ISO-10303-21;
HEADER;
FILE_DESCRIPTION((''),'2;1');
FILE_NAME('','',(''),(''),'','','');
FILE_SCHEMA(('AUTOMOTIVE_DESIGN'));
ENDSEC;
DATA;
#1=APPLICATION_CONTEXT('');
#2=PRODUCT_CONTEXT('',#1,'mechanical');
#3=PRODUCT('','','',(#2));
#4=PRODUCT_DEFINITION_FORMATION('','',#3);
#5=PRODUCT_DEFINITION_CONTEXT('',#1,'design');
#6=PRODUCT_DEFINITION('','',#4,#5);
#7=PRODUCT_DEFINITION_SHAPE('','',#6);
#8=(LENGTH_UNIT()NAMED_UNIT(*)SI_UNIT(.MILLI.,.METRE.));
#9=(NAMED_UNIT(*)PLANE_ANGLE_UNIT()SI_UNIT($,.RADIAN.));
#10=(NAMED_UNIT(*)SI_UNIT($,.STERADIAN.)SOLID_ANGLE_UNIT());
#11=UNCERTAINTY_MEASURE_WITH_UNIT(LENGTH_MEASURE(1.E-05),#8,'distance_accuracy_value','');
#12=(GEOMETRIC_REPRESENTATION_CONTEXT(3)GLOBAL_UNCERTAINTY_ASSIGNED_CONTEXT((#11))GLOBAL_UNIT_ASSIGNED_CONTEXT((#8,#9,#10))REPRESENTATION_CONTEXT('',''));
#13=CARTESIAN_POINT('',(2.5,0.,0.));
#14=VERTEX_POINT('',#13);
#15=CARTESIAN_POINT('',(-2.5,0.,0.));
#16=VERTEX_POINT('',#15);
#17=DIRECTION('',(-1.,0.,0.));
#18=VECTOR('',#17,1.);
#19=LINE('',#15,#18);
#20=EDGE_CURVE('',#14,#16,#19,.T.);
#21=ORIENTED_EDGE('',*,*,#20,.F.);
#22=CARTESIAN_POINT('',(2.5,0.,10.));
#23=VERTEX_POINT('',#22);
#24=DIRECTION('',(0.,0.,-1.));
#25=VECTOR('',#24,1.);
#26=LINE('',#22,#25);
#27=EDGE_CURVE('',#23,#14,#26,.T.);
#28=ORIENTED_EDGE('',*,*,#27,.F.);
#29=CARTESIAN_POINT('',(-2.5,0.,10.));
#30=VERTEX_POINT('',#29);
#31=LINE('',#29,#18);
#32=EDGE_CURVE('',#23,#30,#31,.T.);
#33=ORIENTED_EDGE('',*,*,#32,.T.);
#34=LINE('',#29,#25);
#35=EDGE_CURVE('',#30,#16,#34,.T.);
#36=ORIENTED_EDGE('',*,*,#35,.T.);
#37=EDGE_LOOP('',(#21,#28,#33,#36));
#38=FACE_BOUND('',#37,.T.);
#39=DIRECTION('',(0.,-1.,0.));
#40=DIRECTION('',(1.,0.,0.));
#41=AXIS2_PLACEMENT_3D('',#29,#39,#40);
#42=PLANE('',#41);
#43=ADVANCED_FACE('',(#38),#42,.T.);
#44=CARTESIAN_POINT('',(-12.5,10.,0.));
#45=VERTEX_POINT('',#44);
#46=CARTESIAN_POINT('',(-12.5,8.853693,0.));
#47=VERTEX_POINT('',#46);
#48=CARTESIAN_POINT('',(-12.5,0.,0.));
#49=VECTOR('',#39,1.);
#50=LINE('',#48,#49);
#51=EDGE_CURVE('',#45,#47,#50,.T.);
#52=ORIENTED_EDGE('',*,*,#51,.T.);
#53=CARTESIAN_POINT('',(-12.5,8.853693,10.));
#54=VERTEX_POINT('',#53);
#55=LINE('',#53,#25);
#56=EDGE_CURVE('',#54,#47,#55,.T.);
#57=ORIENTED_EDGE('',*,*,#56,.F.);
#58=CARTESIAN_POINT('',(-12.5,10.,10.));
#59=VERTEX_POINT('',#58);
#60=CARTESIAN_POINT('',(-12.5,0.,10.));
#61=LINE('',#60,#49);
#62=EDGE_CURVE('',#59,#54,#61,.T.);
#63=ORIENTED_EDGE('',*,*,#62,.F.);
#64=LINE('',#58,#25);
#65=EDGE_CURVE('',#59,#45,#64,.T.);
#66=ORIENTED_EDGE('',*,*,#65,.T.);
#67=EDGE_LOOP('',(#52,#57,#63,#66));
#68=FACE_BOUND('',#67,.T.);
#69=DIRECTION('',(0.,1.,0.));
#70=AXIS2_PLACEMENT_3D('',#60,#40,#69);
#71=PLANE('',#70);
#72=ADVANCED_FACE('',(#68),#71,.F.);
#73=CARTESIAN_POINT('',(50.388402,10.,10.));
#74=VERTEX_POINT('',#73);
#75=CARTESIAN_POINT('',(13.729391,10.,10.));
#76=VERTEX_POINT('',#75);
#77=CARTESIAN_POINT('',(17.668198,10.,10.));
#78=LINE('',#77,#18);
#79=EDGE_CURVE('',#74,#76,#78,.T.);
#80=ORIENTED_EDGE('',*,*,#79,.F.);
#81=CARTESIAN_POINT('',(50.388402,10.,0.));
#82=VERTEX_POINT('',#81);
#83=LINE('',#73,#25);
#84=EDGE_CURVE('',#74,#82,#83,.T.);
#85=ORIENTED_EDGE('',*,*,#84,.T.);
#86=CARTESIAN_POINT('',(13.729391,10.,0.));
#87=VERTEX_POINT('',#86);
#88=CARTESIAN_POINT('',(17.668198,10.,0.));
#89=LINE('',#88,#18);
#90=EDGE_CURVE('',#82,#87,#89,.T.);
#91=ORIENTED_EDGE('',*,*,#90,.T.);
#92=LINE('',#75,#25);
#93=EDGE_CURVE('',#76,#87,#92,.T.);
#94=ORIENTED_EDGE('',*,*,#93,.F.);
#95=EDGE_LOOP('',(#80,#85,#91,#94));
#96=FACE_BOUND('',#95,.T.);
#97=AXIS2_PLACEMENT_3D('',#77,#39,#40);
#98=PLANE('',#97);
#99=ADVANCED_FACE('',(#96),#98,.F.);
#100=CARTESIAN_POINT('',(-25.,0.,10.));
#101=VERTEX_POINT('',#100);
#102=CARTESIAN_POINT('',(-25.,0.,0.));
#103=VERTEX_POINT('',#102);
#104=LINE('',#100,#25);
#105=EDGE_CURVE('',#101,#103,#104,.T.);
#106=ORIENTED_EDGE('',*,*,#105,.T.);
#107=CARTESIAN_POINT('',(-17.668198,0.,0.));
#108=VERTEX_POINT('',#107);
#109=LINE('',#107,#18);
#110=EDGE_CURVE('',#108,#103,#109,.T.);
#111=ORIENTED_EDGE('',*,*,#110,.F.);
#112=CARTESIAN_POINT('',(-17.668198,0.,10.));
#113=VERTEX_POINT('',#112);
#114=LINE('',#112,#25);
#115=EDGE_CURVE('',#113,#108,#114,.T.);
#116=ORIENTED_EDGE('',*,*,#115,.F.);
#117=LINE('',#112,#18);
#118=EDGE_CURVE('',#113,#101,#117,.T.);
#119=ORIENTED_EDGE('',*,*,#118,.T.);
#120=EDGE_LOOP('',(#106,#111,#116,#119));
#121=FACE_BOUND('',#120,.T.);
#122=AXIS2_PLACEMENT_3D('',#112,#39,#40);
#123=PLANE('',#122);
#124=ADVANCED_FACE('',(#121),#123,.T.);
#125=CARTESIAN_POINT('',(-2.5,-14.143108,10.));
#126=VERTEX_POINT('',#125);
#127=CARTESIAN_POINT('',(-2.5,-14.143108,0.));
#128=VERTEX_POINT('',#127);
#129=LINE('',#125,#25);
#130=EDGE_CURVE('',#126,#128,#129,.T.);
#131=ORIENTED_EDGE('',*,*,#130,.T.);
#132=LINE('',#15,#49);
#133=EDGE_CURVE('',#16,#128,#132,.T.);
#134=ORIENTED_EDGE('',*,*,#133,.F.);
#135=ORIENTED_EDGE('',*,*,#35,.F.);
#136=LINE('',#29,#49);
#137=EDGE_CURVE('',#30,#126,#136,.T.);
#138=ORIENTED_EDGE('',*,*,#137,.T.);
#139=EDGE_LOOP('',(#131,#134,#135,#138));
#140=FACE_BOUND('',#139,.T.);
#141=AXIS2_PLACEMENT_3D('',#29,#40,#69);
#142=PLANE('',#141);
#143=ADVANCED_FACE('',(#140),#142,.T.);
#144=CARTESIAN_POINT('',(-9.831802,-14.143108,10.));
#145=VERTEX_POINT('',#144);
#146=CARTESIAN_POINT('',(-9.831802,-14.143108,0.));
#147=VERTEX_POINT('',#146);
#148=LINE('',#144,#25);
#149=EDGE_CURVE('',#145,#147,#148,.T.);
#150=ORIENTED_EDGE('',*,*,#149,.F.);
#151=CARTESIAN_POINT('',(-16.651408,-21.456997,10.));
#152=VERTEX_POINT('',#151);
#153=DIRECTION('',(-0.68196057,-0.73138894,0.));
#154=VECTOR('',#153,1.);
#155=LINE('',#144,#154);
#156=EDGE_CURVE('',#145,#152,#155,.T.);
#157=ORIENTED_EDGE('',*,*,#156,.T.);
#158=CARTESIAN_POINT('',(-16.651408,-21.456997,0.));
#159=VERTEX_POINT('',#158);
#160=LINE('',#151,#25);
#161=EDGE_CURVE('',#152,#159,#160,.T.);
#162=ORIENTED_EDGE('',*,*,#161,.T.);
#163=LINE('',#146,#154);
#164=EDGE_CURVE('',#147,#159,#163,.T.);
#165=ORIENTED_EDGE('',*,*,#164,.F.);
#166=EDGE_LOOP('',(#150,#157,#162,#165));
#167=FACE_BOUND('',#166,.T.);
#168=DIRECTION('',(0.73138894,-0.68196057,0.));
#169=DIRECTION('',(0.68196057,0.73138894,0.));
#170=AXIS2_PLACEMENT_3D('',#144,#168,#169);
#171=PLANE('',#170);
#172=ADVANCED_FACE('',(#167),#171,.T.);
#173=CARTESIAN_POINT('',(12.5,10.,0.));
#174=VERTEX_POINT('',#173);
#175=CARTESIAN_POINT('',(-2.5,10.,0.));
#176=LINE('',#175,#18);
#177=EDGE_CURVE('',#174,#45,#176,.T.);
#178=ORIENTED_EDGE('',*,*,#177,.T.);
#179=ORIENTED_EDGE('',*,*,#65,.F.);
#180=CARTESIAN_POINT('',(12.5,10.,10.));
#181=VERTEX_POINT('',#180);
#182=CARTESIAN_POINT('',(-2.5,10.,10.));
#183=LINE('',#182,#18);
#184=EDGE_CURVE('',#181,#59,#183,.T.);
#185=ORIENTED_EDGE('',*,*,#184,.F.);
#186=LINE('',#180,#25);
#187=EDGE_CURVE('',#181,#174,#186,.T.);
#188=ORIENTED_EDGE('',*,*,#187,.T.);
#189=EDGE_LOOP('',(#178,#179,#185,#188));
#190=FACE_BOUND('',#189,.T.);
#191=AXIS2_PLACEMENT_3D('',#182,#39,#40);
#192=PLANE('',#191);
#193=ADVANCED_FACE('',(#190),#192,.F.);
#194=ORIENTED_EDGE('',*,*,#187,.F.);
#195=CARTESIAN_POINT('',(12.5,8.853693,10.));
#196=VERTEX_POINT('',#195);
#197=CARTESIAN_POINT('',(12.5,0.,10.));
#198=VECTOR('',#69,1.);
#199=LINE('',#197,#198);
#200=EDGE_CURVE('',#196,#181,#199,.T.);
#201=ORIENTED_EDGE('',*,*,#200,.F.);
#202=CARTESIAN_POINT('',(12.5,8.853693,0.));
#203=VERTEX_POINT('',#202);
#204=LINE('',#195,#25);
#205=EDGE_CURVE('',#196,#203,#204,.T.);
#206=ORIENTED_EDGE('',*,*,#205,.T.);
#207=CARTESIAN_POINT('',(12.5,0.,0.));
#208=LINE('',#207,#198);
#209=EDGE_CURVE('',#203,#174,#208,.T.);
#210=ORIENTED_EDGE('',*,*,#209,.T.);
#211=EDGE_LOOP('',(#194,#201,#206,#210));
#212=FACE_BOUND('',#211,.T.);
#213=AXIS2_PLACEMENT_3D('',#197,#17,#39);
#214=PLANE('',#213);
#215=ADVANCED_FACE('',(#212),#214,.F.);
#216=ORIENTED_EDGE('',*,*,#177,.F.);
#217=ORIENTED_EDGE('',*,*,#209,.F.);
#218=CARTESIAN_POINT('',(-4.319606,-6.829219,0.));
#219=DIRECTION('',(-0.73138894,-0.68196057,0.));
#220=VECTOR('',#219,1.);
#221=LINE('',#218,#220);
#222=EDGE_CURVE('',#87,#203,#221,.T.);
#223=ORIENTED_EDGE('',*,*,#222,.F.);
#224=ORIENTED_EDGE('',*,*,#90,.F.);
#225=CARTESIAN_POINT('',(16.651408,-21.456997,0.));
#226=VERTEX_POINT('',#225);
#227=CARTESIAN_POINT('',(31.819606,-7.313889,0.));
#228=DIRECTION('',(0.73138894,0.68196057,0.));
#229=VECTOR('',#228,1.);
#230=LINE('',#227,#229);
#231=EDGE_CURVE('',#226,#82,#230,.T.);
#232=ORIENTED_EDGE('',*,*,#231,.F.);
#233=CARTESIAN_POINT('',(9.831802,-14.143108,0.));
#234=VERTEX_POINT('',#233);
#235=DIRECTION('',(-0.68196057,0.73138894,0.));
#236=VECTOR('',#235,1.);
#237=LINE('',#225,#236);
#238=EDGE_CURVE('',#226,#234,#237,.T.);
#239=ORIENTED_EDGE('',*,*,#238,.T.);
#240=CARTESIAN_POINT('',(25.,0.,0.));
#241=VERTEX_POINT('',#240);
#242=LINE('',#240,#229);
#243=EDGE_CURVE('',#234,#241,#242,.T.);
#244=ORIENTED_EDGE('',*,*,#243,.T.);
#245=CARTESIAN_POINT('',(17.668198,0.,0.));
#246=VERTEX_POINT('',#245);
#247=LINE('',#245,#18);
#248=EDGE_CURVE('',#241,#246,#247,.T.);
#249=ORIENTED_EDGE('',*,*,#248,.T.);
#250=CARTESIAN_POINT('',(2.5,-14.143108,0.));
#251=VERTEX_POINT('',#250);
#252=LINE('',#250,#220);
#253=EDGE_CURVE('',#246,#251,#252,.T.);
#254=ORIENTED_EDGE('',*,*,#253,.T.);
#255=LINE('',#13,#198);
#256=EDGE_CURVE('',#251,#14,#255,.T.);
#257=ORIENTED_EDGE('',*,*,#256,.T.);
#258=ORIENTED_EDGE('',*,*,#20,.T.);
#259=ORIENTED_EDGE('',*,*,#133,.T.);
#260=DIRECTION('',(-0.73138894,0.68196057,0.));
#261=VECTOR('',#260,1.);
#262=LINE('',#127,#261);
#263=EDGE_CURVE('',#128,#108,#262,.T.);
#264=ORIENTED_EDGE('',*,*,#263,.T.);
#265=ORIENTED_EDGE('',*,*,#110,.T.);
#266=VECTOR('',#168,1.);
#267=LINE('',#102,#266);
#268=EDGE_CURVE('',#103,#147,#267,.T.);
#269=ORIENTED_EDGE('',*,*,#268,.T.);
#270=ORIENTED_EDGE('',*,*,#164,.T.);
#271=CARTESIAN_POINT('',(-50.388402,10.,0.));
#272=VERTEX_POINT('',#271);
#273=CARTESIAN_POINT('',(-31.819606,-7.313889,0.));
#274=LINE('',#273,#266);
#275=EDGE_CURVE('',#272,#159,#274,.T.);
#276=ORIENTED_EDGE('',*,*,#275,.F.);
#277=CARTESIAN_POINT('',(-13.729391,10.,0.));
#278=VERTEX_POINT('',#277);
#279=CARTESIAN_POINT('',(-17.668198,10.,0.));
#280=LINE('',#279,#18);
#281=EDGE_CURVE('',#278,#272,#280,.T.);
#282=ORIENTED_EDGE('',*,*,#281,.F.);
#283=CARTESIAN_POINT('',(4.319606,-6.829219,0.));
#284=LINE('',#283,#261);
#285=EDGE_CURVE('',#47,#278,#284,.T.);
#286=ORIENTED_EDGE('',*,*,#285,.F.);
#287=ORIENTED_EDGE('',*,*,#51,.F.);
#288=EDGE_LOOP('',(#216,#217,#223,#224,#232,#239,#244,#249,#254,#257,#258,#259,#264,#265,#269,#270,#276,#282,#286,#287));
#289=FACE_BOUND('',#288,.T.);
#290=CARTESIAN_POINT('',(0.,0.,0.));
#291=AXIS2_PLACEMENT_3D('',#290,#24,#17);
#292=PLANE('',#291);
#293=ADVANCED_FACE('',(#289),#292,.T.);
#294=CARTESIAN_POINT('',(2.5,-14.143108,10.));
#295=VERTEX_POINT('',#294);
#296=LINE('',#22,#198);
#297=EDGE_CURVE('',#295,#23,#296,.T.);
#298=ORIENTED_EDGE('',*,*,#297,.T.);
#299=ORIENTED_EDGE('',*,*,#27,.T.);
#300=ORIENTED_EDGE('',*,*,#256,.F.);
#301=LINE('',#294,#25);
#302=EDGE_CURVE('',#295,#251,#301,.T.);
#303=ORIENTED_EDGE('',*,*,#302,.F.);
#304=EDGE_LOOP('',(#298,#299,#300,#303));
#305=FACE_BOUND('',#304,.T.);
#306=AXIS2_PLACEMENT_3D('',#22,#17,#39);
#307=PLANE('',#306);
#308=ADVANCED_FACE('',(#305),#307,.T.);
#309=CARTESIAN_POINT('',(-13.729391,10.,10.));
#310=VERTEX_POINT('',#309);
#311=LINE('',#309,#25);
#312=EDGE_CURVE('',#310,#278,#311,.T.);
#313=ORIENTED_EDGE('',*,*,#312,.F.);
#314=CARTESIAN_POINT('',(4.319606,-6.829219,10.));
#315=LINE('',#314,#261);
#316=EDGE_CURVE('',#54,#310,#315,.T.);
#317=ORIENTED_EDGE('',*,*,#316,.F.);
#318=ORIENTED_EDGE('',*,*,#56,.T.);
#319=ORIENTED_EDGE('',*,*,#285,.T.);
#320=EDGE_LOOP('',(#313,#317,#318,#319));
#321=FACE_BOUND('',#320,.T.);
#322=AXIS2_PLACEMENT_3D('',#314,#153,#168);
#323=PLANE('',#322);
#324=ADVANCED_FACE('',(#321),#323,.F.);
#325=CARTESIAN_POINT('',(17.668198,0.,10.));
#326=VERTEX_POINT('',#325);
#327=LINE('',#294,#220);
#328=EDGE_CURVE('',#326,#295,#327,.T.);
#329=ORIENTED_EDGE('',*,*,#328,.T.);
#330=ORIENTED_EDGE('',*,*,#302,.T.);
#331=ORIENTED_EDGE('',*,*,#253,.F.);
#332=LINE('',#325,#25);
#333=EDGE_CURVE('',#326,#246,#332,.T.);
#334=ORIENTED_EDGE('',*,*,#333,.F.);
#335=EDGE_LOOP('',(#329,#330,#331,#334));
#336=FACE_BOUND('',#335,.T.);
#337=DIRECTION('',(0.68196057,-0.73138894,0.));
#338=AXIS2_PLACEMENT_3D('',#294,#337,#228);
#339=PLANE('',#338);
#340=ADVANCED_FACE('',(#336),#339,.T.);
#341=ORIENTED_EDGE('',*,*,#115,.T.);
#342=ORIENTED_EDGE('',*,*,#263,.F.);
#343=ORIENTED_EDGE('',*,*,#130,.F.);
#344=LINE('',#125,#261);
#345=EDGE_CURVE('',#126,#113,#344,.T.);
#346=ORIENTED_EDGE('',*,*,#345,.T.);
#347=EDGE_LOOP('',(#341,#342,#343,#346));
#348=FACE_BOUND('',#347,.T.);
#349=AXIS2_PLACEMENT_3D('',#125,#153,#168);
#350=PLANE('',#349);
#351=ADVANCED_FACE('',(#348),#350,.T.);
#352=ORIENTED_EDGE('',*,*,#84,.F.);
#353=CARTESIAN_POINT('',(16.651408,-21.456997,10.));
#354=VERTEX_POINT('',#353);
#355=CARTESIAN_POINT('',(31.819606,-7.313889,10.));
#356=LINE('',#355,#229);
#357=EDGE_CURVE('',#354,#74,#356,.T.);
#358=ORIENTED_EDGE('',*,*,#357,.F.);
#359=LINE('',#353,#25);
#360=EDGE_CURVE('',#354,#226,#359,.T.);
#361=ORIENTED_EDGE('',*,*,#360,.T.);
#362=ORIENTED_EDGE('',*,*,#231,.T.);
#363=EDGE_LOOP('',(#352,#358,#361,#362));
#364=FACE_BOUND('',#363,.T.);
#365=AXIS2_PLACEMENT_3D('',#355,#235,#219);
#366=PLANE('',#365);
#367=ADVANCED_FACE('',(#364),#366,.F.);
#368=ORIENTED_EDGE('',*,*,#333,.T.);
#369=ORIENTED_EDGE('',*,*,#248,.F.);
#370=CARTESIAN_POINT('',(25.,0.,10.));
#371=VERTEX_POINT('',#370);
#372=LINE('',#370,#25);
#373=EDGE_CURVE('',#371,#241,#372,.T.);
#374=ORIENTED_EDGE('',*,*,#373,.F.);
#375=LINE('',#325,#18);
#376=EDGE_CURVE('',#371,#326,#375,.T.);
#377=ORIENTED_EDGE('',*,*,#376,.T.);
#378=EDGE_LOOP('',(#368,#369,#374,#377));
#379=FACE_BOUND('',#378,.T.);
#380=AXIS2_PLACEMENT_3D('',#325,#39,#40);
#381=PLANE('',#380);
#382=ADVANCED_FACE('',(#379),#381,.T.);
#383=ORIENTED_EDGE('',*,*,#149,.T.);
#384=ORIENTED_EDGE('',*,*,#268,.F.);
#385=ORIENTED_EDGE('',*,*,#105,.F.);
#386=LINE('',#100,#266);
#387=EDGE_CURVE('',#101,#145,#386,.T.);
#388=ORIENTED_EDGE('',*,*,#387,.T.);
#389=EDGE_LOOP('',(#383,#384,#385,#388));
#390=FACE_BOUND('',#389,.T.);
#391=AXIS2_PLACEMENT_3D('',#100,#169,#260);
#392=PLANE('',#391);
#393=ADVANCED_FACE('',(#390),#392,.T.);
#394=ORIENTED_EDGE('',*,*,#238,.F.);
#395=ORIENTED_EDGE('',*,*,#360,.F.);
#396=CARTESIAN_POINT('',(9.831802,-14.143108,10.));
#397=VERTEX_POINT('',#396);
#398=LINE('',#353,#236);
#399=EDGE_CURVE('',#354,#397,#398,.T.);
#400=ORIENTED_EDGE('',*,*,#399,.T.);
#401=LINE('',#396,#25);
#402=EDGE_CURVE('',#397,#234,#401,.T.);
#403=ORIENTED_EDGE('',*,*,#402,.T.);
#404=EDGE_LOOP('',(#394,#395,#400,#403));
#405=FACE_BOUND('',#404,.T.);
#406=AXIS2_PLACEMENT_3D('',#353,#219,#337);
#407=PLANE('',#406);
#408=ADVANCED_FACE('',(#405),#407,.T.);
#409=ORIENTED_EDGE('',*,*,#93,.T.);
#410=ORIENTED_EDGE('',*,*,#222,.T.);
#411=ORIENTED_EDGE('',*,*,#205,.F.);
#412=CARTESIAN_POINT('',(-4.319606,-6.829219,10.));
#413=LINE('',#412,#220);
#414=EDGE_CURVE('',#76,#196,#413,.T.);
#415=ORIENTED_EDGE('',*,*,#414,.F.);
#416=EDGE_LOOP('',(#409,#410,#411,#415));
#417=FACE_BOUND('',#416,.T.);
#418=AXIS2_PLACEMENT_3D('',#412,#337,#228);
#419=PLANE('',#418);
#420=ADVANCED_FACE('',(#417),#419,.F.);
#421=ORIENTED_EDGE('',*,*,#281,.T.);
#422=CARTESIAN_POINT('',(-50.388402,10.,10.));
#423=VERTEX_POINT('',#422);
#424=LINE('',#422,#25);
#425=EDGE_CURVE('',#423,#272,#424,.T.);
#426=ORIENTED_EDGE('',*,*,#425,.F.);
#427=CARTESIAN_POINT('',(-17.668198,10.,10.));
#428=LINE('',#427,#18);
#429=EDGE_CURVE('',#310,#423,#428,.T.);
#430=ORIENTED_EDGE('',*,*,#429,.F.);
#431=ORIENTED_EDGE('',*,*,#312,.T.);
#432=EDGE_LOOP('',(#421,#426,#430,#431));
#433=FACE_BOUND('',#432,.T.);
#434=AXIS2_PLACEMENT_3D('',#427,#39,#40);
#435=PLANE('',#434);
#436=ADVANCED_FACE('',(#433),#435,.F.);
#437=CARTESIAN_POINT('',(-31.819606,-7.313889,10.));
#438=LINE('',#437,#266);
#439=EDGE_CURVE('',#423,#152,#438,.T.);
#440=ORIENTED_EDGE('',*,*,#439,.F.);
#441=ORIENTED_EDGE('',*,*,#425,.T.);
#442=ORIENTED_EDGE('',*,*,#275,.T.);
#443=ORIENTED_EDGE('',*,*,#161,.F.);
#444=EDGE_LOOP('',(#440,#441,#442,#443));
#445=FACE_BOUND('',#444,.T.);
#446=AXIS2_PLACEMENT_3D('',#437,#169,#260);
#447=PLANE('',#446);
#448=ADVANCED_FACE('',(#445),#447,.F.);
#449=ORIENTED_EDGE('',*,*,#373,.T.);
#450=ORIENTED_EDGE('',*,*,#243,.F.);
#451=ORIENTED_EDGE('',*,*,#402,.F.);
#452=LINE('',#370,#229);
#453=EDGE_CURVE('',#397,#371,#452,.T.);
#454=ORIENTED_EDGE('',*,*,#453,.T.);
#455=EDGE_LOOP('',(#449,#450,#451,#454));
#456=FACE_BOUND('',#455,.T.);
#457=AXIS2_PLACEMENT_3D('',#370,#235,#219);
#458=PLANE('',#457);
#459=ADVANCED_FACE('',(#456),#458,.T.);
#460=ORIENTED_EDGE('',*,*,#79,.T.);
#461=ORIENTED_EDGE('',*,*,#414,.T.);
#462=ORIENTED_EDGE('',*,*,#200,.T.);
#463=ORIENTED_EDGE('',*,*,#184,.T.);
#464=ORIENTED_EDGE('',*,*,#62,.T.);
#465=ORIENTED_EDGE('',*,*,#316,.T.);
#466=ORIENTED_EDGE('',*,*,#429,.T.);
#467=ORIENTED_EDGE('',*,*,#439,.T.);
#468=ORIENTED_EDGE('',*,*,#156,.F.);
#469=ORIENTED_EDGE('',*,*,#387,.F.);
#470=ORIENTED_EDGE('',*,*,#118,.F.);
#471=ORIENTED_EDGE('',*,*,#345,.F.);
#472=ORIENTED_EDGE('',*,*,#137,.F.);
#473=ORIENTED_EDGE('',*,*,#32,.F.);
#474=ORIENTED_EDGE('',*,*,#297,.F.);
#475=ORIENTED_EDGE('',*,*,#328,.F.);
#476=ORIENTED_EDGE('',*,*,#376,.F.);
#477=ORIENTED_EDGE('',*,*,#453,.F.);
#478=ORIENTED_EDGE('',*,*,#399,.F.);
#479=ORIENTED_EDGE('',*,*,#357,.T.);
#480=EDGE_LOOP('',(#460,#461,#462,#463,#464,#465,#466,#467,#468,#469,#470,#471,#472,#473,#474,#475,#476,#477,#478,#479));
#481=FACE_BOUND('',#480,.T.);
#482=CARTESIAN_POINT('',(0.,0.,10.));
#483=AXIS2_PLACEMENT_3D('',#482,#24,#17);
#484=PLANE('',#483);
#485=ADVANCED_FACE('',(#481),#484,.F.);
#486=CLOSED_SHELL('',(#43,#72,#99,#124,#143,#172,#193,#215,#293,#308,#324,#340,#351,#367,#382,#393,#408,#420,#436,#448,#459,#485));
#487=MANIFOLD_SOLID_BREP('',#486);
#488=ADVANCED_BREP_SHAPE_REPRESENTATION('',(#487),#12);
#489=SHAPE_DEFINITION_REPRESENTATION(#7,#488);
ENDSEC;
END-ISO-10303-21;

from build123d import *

# Parameters (mm, degrees)
EXTRUDE_1_DEPTH = 10


with BuildPart() as part:
    # ｽｹｯﾁ1 → 押し出し-薄板1 (new body)
    with BuildSketch(Plane.XY):
        Polygon((-9.831802189, -14.143108085), (-25, 0), (-17.668197811, 0), (-2.5, -14.143108085), (-2.5, 0), (2.5, 0), (2.5, -14.143108085), (17.668197811, 0), (25, 0), (9.831802189, -14.143108085), (16.651407889, -21.456997481), (50.388402435, 10), (13.72939149, 10), (12.5, 8.853692645), (12.5, 10), (-12.5, 10), (-12.5, 8.853692645), (-13.72939149, 10), (-50.388402435, 10), (-16.651407889, -21.456997481), align=None)
    extrude(amount=EXTRUDE_1_DEPTH)


solid = part.part
